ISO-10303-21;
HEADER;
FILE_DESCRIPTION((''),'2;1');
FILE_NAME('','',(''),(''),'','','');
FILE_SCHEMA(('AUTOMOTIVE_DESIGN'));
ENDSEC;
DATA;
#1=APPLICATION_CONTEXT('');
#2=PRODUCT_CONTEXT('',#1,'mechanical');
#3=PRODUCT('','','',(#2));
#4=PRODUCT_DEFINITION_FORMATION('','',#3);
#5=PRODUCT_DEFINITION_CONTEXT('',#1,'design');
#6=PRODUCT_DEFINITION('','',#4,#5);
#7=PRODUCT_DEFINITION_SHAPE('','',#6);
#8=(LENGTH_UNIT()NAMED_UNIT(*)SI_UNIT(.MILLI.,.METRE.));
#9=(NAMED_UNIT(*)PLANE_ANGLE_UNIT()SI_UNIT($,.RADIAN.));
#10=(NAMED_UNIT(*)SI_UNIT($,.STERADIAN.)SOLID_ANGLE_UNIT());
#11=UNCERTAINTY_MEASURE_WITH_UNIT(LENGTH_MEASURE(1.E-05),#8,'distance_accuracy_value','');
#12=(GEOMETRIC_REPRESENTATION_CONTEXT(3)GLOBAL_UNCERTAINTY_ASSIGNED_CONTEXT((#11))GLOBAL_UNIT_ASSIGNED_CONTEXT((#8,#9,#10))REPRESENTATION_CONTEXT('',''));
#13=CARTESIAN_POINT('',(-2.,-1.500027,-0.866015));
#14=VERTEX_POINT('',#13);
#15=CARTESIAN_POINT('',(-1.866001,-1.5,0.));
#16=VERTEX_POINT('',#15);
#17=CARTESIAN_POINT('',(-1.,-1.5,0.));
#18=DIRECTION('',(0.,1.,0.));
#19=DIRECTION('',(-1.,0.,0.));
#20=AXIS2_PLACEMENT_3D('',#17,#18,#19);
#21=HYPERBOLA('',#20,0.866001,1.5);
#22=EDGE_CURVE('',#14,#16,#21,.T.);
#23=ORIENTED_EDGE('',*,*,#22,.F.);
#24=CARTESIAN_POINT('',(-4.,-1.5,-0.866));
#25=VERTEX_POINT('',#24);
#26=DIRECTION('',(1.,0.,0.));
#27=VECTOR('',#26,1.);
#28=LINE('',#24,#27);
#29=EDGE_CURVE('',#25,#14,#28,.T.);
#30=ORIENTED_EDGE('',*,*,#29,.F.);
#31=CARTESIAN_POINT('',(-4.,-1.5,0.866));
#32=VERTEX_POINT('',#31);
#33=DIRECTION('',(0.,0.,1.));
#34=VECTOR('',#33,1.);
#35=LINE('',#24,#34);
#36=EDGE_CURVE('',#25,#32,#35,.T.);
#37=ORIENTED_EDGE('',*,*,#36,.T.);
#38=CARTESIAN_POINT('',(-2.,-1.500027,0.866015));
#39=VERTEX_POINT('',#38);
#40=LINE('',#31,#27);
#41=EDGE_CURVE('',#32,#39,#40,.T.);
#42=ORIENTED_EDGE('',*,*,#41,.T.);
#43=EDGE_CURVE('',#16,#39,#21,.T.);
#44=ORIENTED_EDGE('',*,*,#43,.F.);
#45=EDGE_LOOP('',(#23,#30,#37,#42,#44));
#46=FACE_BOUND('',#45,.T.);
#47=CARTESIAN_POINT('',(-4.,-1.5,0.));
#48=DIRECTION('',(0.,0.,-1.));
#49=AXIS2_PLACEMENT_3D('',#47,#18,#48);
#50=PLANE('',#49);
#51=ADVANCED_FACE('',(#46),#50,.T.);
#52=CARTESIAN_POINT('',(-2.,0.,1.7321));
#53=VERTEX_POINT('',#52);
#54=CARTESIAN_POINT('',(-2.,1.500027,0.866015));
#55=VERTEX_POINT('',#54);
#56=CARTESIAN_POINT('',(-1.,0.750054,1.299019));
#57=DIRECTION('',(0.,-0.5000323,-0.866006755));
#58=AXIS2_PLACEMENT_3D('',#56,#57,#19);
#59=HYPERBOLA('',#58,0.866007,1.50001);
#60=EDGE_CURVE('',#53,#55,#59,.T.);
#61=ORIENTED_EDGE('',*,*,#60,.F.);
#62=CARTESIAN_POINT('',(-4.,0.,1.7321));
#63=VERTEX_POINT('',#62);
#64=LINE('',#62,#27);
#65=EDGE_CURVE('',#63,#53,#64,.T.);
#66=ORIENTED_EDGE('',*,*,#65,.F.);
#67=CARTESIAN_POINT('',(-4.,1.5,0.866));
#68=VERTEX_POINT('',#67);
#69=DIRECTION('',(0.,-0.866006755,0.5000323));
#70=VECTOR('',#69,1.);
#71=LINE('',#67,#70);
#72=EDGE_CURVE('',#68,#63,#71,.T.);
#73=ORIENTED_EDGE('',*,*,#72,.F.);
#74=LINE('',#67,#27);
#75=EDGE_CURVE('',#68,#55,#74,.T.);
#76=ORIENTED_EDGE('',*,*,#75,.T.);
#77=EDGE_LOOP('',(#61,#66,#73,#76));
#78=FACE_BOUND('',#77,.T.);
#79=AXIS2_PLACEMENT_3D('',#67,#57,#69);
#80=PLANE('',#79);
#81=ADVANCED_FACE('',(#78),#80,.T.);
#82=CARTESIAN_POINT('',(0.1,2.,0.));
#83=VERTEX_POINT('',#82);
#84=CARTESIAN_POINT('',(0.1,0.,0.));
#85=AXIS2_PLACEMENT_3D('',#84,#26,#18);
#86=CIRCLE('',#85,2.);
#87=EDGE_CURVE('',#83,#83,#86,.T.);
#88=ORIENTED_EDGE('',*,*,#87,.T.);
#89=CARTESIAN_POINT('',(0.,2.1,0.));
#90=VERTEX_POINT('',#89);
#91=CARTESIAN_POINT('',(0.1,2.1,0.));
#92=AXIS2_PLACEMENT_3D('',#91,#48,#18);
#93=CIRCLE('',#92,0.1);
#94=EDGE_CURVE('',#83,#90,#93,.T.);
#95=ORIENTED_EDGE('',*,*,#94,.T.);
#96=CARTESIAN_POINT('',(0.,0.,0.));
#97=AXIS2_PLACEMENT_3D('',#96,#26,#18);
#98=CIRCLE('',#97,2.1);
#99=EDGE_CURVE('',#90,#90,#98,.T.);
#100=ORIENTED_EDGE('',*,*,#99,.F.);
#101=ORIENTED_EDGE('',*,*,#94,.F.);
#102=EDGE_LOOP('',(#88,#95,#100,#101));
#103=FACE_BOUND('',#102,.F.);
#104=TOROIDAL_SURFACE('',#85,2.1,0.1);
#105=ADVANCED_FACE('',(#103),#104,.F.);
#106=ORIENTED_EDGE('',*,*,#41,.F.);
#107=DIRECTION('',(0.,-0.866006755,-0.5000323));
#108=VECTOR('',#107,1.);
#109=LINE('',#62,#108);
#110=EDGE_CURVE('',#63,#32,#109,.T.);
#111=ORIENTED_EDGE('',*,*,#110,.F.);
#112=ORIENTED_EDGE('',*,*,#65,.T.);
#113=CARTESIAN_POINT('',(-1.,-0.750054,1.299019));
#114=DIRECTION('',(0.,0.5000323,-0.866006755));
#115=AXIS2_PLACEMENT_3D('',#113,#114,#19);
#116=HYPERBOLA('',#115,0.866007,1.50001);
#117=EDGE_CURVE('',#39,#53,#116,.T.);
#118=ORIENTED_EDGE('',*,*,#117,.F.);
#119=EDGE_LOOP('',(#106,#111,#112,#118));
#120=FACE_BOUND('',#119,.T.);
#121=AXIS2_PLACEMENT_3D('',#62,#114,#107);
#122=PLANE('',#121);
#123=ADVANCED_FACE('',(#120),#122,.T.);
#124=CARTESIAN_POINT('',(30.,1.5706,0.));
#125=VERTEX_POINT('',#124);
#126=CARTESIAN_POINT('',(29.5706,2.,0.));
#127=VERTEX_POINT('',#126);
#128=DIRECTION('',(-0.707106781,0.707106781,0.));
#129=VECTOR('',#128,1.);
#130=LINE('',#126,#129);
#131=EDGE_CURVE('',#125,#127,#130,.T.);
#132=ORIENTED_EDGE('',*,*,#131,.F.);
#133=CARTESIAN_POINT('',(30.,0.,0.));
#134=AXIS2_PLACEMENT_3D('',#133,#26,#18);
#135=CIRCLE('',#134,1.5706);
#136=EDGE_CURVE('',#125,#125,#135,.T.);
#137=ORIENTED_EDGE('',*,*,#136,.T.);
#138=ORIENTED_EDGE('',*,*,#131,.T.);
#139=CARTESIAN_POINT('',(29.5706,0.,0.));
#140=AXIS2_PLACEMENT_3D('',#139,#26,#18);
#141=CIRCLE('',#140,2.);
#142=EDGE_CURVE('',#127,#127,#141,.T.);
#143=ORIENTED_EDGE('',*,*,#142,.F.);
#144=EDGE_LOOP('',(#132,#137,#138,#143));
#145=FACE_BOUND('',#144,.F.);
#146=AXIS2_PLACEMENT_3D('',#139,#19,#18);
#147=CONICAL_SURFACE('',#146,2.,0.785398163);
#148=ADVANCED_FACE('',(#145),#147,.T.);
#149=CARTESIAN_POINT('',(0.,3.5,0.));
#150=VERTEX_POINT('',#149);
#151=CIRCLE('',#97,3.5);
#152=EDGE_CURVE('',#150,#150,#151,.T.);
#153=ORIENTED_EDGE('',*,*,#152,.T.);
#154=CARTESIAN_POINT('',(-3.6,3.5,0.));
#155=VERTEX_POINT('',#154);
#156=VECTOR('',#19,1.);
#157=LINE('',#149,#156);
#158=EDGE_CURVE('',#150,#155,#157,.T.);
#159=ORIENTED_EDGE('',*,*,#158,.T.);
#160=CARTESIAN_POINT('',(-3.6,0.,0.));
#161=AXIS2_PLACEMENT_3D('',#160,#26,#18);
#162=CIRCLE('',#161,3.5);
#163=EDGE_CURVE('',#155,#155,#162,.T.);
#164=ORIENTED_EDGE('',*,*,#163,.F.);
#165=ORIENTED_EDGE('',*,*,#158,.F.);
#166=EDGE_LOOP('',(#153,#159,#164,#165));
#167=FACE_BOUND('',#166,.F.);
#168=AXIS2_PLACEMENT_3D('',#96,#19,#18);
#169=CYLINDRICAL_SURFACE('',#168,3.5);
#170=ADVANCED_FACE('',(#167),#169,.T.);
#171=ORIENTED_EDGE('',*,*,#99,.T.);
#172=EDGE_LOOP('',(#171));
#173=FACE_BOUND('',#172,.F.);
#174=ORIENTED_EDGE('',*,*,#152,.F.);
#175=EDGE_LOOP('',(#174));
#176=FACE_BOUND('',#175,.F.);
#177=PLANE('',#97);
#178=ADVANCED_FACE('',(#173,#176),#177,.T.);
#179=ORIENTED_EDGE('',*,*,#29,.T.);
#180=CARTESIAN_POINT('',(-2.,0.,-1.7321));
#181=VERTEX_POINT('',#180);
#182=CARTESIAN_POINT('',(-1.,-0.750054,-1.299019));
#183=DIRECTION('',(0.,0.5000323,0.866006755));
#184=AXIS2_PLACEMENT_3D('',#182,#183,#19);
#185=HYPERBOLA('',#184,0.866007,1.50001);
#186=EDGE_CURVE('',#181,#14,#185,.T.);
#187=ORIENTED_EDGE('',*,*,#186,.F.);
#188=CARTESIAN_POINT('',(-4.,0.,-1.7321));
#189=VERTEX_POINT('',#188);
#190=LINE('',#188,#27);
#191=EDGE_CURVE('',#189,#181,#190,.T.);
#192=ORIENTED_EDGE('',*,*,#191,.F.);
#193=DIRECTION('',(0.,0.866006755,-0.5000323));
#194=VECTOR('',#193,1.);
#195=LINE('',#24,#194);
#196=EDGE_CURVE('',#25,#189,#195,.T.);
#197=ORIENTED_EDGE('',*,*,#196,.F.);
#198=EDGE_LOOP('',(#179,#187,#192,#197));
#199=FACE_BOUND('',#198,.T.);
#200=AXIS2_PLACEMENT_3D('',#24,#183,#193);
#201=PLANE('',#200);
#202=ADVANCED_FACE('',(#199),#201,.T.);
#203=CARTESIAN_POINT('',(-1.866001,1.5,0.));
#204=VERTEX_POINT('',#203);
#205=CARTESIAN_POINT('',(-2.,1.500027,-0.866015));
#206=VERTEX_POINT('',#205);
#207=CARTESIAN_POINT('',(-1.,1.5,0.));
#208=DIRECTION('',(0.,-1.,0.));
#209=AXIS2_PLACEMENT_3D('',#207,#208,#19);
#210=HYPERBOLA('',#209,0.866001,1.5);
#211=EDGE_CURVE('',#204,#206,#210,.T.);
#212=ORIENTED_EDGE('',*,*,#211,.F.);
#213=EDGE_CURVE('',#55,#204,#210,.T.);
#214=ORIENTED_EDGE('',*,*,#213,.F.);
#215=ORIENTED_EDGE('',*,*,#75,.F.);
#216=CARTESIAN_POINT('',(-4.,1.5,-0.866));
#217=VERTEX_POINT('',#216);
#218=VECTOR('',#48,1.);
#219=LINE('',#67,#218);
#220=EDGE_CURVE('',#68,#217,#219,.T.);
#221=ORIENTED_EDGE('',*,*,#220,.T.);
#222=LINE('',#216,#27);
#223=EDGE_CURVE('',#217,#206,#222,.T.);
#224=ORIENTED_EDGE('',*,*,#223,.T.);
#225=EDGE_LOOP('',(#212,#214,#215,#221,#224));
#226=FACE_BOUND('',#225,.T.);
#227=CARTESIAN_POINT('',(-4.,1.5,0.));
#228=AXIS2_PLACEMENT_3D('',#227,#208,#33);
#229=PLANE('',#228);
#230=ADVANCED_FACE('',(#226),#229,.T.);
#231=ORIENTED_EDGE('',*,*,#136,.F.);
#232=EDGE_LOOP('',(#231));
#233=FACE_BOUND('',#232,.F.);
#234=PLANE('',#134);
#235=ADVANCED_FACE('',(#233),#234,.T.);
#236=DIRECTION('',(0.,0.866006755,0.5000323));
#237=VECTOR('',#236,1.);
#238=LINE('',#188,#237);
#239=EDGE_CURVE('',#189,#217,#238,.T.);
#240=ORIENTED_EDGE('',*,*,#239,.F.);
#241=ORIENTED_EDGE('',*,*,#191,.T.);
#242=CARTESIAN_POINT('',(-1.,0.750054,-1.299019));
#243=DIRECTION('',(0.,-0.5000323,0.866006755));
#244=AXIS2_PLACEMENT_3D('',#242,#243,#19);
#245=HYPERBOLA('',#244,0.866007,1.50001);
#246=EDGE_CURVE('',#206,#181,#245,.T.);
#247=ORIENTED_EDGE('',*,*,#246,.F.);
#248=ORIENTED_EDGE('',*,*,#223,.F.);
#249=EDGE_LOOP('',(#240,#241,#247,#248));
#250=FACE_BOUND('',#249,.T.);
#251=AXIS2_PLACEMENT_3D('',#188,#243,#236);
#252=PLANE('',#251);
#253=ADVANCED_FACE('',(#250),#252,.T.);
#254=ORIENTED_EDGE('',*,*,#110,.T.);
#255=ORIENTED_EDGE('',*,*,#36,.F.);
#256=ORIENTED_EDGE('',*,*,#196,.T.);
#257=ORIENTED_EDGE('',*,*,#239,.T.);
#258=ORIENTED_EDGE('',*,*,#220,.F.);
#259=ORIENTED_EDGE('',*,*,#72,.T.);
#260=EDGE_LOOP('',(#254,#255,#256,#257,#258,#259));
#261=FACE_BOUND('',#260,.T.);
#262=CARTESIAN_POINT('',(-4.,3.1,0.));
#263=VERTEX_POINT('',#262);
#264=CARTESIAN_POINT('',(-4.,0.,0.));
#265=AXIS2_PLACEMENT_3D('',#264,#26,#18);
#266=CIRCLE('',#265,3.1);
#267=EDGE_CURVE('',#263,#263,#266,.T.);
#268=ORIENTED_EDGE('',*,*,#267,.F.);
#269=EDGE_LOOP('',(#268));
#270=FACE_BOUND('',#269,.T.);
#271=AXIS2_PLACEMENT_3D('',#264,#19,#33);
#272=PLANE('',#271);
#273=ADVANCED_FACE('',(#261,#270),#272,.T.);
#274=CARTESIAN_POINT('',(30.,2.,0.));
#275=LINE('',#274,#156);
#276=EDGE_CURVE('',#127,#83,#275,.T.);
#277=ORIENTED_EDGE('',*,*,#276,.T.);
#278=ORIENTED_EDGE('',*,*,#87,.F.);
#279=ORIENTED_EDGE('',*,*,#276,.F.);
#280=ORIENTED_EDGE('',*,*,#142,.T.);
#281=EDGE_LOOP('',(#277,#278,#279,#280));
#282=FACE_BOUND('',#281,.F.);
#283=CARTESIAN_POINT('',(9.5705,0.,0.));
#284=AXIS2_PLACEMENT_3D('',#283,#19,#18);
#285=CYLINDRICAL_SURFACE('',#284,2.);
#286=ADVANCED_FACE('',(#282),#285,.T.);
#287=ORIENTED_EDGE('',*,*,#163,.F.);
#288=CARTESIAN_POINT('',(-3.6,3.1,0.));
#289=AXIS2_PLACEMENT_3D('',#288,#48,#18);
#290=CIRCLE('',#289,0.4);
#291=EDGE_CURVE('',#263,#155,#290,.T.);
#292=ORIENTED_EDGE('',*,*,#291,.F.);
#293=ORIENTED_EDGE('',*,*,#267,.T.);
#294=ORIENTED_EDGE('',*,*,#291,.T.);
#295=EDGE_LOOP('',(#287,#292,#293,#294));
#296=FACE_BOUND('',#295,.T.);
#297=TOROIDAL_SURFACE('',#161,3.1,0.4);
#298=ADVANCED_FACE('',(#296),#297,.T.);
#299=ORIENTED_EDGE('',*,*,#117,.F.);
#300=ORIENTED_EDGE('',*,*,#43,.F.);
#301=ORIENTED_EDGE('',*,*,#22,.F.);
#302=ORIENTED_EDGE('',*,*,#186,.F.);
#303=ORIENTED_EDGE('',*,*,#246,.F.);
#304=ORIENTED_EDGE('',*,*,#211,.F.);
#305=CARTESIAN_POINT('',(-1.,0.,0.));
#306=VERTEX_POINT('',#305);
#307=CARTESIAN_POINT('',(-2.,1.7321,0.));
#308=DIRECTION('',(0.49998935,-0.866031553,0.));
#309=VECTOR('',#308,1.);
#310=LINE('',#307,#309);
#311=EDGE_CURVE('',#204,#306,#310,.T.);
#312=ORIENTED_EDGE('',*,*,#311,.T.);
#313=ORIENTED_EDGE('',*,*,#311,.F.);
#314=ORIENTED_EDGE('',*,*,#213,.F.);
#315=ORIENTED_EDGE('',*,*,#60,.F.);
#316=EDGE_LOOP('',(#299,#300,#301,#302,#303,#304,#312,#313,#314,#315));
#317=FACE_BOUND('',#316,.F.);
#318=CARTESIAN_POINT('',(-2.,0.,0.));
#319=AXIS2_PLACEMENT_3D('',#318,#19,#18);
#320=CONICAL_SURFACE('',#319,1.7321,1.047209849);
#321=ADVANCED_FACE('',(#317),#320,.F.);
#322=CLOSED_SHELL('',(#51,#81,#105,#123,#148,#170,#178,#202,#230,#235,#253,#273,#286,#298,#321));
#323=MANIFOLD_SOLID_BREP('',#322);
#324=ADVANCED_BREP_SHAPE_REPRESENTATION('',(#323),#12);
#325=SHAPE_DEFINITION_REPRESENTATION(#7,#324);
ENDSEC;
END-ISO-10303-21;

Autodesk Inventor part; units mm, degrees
ref_plane "YZ Plane" through (0, 0, 0) normal (1, 0, 0) x (0, 1, 0)
ref_plane "XZ Plane" through (0, 0, 0) normal (0, 1, 0) x (-1, 0, 0)
sketch "Sketch1" plane through (0, 0, 0) normal (0, 0, 1) x (1, 0, 0)
  line L0 (-1, 0) -> (30, 0)
  line L1 (30, 0) -> (30, 2)
  line L2 (30, 2) -> (10, 2)
  line L3 (10, 2) -> (9.5705, 2)
  line L4 (9.5705, 2) -> (0, 2)
  line L5 (0, 2) -> (0, 3.5)
  line L6 (0, 3.5) -> (-4, 3.5)
  line L7 (-4, 3.5) -> (-4, 1.7321)
  line L8 (-4, 1.7321) -> (-2, 1.7321)
  line L9 (-2, 1.7321) -> (-1, 0)
  line L10 (-10.8, 0) -> (36.8, 0) projected
  line L11 (0, -0.7) -> (0, 4.2) projected
  line L12 (10, 2) -> (0, 2) construction
  dimension "d1" = 20
  dimension "d2" = 0.4295
  dimension "d3" = 4
  dimension "d4" = 2
  dimension "d5" = 60
  dimension "d6" = 4
  dimension "d7" = 4
  dimension "d8" = 3.4641
  dimension "d9" = 7
  dimension "d26" = 30
revolve "Body" add sketch "Sketch1" angle 360 about axis through (-1, 0, 0) along (1, 0, 0)
sketch "Sketch2" plane through (-4, 0, 0) normal (-1, 0, 0) x (0, 0, 1)
  circle A0 centre (0, 0) radius 1.7321 projected
  line L0 (0, -4.9) -> (0, 4.9) projected
  line L1 (-4.9, 0) -> (4.9, 0) projected
  line L2 (1.7321, 0) -> (0.866, -1.5)
  line L3 (0.866, -1.5) -> (-0.866, -1.5)
  line L4 (-0.866, -1.5) -> (-1.7321, 0)
  line L5 (-1.7321, 0) -> (-0.866, 1.5)
  line L6 (-0.866, 1.5) -> (0.866, 1.5)
  line L7 (0.866, 1.5) -> (1.7321, 0)
extrude "Slot" add sketch "Sketch2" against normal up to next contours L7 A0 | A0 L2 | L6 L0 A0 | A0 L0 L3 | L0 L6 A0 | A0 L3 L0 | L4 A0 | A0 L5
fillet "Fillet1" radius 0.4 1 edges at (-4, -3.5, 0)
thread "Thread" size "M4x0.7" class "6g" standard "ISO Metric profile" length 20
chamfer "Chamfer1" distance 0.4294 distance2 0.4294 1 edges at (30, -2, 0) measured on face at (30, -0.499, -0.4421)
ref_plane "Work Plane1" through (29, 0, 0) normal (0, -1, 0) x (1, 0, 0)
fillet "Fillet2" radius 0.1 1 edges at (0, -2, 0)
equation "\"d1\" = GEL"
equation "\"d3\" = KOH"
equation "\"d4\" = INTI"
equation "\"d6\" = GD"
equation "\"d7\" = BDM"
equation "\"d8\" = 1.1547 * SW"
equation "\"d9\" = KOD"
equation "\"d26\" = NLG"
equation "\"d30\" = R"
equation "\"d17\" = RR"
equation "\"d13\" = GEL"
equation "\"d15\" = -0.5 * SPD + 0.5 * GD"
equation "\"d16\" = GUL"
equation "\"GD\" = NND"
equation "\"NLG\" = 30"
equation "\"GEL\" = 20"
equation "\"KOD\" = 7"
equation "\"KOH\" = 4"
equation "\"INTI\" = 2"
equation "\"GAL\" = 0.61345 * PTC"
equation "\"GUL\" = 0.61345 * PTC"
equation "\"BDM\" = NND"
equation "\"SW\" = 3"
equation "\"RR\" = 0.4"
equation "\"SPD\" = 3.14117"
equation "\"R\" = 0.1"
equation "\"TOA\" = 30deg"
equation "\"THREADDIA\" = 4"
equation "\"PTC\" = 0.7"
equation "\"NND\" = 4"
equation "\"E0\" = 1.155 * SW"
equation "\"GD1\" = THREADDIA - 1.2269 * PTC"
properties part number "ANSI B18.3.1M - M4x0.7 x 30" material "Steel, Mild"
